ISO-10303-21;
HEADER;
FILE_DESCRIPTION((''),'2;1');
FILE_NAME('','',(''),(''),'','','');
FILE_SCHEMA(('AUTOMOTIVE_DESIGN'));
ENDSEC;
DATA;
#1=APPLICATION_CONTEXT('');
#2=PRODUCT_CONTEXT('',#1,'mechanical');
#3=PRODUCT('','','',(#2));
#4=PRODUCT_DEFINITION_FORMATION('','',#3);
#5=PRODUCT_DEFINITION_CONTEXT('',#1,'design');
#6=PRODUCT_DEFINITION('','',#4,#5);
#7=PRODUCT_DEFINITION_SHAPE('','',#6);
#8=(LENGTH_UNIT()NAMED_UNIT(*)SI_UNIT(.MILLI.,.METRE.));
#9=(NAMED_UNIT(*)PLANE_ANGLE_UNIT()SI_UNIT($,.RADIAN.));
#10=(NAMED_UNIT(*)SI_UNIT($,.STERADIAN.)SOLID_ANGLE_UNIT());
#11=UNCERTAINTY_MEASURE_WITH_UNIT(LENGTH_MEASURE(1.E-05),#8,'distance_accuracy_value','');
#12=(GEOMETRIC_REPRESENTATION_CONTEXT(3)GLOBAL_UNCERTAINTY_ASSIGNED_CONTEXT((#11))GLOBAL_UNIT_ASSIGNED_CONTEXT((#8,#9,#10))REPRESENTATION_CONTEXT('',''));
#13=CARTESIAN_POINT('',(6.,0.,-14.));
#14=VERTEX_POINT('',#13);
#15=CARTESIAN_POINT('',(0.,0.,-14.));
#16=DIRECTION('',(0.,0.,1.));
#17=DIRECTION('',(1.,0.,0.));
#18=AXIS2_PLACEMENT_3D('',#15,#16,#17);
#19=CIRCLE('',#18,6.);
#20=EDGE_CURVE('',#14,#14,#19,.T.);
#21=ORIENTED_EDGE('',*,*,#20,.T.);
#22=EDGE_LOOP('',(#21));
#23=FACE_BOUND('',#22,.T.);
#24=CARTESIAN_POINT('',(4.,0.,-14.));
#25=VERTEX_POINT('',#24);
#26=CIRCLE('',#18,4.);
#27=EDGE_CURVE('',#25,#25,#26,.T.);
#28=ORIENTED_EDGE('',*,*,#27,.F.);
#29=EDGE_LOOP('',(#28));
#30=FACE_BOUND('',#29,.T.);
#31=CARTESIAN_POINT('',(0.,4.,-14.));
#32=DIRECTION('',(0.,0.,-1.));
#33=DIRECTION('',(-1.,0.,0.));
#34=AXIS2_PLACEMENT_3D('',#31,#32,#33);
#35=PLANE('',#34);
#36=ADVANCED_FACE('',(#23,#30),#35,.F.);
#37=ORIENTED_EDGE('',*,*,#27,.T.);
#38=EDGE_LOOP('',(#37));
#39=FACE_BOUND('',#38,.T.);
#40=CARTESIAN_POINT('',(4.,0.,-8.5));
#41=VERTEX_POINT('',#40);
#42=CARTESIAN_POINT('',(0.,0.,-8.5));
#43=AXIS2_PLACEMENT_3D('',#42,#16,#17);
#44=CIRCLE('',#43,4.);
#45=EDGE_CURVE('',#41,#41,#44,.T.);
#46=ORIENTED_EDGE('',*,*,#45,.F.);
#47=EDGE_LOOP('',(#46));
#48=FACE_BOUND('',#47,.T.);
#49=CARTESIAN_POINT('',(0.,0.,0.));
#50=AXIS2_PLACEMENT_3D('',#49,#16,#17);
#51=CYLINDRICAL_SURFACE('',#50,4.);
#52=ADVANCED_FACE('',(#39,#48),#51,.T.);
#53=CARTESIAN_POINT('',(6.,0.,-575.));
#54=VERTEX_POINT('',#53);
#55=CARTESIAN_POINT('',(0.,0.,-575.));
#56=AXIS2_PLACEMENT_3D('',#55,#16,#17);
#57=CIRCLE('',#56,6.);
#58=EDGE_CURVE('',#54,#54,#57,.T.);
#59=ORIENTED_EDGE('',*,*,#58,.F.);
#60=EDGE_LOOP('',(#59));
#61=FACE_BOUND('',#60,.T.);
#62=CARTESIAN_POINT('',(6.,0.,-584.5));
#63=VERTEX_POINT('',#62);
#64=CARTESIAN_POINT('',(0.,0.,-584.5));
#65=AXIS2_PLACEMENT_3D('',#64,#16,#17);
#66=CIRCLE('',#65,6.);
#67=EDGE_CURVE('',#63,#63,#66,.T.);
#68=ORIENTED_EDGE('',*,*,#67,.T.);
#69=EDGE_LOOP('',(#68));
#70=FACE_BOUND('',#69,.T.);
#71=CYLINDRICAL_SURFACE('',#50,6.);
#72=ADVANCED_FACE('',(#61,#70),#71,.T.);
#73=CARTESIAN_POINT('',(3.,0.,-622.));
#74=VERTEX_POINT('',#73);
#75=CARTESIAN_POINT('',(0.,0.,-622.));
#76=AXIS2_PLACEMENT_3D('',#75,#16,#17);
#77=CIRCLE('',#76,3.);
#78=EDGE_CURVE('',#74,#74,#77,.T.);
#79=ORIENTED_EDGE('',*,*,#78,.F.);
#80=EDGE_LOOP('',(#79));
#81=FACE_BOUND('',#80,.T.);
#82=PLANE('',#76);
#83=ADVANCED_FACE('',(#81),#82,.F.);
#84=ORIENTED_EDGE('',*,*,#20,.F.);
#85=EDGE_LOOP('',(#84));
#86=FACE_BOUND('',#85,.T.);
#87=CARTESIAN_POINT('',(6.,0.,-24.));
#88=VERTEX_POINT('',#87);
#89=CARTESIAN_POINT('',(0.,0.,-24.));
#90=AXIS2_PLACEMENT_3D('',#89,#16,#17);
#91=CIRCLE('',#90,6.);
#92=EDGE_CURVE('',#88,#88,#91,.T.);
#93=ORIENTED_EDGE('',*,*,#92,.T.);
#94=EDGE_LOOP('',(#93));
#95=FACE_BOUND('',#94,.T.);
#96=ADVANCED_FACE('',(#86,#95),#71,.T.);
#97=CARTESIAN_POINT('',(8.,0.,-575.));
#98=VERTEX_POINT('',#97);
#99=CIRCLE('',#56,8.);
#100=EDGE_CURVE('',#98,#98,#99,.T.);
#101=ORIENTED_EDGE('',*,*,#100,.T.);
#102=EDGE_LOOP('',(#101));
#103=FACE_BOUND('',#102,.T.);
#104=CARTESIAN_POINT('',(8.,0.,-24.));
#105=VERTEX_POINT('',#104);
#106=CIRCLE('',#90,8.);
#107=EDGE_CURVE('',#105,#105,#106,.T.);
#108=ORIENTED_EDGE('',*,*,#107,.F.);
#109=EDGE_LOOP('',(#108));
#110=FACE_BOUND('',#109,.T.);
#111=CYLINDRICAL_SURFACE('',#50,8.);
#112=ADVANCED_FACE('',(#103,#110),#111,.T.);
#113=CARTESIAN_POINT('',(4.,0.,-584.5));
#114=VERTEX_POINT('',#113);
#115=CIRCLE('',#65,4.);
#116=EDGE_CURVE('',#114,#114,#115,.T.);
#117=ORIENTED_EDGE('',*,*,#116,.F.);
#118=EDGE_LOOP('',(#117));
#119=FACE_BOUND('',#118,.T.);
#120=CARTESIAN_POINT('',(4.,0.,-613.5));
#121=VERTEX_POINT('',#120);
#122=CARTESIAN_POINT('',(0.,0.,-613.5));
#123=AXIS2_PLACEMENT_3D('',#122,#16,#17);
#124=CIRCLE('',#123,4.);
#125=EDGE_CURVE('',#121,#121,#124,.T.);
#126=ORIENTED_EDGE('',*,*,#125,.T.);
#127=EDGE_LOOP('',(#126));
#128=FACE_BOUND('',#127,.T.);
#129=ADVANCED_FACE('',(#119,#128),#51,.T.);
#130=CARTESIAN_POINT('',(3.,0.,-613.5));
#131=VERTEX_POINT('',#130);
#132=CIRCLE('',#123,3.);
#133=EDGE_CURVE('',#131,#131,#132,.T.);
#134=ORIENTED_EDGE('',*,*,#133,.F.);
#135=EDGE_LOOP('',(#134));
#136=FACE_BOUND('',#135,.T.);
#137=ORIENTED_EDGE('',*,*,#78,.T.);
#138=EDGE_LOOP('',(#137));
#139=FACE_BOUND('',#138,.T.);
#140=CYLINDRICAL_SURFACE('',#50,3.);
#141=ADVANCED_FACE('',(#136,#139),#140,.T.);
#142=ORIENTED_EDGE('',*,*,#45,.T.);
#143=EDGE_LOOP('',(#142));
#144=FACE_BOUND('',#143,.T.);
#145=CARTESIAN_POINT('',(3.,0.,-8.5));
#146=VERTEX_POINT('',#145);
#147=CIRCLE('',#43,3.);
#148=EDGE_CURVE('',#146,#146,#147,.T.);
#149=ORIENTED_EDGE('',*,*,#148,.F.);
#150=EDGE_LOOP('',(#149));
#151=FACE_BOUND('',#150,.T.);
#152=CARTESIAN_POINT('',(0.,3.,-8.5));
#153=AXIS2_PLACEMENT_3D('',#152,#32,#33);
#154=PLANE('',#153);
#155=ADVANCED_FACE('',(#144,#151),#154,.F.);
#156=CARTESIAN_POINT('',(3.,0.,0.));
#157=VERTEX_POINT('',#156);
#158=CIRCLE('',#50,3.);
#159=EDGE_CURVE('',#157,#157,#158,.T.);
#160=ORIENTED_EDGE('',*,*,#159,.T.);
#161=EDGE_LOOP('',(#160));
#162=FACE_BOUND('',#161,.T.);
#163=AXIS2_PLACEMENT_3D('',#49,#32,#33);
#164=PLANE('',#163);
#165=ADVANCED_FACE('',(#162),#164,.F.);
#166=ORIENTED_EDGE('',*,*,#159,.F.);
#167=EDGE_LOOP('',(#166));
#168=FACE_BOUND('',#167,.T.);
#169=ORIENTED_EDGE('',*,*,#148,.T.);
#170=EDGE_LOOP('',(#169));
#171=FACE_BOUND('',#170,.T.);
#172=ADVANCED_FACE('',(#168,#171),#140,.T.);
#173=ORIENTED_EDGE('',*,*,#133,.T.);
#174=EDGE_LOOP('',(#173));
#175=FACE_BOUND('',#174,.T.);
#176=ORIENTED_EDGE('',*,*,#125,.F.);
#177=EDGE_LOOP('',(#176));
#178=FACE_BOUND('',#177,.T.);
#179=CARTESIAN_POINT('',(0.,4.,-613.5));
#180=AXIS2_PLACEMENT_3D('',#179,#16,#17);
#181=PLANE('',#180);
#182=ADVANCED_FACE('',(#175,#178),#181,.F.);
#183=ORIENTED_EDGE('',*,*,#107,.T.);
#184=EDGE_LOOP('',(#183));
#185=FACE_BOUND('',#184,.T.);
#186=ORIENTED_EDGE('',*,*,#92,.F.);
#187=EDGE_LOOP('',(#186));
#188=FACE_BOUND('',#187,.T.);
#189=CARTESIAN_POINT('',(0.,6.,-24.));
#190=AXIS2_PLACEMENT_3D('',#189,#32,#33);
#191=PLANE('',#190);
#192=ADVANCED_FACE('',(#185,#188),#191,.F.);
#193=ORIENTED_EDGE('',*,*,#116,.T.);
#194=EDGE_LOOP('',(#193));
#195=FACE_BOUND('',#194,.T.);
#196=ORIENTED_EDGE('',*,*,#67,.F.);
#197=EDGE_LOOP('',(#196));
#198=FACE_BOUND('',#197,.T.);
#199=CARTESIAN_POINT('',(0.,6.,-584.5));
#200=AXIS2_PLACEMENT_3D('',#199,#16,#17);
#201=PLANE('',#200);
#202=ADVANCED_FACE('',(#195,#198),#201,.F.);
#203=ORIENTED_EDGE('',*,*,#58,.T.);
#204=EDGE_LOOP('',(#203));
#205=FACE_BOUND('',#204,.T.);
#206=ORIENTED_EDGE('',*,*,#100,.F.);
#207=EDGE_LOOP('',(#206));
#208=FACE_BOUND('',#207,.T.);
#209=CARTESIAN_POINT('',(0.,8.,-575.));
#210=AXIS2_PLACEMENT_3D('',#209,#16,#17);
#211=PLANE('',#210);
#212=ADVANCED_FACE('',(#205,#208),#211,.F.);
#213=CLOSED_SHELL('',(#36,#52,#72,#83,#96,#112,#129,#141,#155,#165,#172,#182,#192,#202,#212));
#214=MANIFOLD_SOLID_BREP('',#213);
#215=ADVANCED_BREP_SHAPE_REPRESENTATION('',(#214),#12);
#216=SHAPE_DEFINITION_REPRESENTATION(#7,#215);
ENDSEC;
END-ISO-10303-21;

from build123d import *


with BuildPart() as part:
    # Schizzo2 → Rivoluzione2 (revolve)
    with BuildSketch(Plane(origin=(0, 0, 0), x_dir=(0, 0, -1), z_dir=(1, 0, 0)), mode=Mode.PRIVATE) as rivoluzione2_sk:
        Polygon((0, 0), (0, 3), (8.5, 3), (8.5, 4), (14, 4), (14, 6), (24, 6), (24, 8), (575, 8), (575, 6), (584.5, 6), (584.5, 4), (613.5, 4), (613.5, 3), (622, 3), (622, 0), align=None)
    revolve(rivoluzione2_sk.sketch.rotate(Axis((0, 0, 0), (0, 0, -1)), 90), axis=Axis((0, 0, 0), (0, 0, -1)))


solid = part.part
